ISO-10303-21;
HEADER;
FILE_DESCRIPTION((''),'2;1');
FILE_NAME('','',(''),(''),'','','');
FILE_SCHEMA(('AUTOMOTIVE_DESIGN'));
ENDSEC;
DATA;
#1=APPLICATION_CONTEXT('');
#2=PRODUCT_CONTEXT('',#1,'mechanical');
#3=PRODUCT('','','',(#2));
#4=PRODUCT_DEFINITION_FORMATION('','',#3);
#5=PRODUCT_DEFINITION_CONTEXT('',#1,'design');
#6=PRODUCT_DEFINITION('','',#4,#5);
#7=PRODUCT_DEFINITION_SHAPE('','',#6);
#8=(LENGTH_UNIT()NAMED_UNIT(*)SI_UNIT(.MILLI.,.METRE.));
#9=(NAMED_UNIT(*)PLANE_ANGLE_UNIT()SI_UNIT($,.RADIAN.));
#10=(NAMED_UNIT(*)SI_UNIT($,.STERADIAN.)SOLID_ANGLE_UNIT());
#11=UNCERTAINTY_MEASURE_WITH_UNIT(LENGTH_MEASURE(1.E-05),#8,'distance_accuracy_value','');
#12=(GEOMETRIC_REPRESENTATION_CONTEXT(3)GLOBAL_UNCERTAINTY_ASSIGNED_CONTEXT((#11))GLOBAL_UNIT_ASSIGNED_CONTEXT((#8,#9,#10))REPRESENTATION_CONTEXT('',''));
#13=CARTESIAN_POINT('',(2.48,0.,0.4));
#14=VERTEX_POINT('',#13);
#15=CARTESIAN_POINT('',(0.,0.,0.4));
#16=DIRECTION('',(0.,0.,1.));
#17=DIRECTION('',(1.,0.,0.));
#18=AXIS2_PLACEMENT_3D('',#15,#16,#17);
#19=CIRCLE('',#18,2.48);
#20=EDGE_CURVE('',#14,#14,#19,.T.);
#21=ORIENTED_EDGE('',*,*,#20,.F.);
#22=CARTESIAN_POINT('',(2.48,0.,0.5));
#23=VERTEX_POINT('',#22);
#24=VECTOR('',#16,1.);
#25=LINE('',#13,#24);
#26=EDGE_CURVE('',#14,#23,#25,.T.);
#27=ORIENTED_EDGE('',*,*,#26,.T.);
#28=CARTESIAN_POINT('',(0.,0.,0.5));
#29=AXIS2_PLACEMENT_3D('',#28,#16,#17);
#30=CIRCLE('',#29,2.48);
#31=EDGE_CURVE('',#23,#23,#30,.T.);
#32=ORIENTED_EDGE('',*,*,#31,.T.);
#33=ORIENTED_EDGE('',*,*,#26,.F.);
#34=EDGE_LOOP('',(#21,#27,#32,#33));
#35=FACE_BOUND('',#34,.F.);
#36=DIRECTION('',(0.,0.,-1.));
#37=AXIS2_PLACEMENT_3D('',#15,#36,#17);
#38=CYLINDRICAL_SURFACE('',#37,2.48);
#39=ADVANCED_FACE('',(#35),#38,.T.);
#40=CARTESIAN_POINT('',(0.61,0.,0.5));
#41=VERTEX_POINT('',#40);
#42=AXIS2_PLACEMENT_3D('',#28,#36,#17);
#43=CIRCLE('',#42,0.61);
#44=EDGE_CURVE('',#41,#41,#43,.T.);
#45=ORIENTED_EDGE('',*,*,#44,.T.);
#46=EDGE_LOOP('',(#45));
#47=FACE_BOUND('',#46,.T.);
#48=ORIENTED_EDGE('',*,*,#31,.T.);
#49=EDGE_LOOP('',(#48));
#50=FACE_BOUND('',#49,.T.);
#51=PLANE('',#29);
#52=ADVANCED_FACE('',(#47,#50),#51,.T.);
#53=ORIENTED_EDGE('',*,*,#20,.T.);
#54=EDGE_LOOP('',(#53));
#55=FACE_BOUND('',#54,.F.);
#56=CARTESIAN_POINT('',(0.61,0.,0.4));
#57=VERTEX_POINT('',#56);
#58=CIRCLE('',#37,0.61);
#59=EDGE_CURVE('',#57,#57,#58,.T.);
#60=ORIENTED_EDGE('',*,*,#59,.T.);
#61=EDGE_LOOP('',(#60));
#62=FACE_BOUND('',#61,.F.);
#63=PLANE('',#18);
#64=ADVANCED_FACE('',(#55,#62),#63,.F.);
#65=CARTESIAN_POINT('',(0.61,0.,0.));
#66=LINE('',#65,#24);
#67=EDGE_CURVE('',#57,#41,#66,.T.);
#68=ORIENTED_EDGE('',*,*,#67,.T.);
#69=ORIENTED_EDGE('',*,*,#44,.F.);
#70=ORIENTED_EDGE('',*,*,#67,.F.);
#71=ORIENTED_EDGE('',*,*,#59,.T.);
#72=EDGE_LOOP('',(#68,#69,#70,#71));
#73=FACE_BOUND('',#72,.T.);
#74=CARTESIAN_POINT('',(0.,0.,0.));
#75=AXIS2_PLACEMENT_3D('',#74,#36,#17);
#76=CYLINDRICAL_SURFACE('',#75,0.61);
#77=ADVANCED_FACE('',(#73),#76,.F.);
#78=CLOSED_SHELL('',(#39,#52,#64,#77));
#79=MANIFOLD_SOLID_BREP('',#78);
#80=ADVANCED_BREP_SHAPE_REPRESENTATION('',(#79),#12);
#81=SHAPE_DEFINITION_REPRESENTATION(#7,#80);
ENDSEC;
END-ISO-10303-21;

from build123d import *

# Parameters (mm, degrees)
CYLINDER003_R     = 0.61
CYLINDER003_DEPTH = 10
CYLINDER004_R     = 2.48
CYLINDER004_DEPTH = 0.1


with BuildPart() as cylinder003:
    # Cylinder003 → Cylinder003 (new body)
    with BuildSketch(Plane.XY):
        Circle(CYLINDER003_R)
    extrude(amount=CYLINDER003_DEPTH)


with BuildPart() as endcapfront:
    # Cylinder004 → Cylinder004 (new body)
    with BuildSketch(Plane.XY.offset(0.4)):
        Circle(CYLINDER004_R)
    extrude(amount=CYLINDER004_DEPTH)

    # Cut004: cut Cylinder003
    add(cylinder003.part, mode=Mode.SUBTRACT)


solid = endcapfront.part
